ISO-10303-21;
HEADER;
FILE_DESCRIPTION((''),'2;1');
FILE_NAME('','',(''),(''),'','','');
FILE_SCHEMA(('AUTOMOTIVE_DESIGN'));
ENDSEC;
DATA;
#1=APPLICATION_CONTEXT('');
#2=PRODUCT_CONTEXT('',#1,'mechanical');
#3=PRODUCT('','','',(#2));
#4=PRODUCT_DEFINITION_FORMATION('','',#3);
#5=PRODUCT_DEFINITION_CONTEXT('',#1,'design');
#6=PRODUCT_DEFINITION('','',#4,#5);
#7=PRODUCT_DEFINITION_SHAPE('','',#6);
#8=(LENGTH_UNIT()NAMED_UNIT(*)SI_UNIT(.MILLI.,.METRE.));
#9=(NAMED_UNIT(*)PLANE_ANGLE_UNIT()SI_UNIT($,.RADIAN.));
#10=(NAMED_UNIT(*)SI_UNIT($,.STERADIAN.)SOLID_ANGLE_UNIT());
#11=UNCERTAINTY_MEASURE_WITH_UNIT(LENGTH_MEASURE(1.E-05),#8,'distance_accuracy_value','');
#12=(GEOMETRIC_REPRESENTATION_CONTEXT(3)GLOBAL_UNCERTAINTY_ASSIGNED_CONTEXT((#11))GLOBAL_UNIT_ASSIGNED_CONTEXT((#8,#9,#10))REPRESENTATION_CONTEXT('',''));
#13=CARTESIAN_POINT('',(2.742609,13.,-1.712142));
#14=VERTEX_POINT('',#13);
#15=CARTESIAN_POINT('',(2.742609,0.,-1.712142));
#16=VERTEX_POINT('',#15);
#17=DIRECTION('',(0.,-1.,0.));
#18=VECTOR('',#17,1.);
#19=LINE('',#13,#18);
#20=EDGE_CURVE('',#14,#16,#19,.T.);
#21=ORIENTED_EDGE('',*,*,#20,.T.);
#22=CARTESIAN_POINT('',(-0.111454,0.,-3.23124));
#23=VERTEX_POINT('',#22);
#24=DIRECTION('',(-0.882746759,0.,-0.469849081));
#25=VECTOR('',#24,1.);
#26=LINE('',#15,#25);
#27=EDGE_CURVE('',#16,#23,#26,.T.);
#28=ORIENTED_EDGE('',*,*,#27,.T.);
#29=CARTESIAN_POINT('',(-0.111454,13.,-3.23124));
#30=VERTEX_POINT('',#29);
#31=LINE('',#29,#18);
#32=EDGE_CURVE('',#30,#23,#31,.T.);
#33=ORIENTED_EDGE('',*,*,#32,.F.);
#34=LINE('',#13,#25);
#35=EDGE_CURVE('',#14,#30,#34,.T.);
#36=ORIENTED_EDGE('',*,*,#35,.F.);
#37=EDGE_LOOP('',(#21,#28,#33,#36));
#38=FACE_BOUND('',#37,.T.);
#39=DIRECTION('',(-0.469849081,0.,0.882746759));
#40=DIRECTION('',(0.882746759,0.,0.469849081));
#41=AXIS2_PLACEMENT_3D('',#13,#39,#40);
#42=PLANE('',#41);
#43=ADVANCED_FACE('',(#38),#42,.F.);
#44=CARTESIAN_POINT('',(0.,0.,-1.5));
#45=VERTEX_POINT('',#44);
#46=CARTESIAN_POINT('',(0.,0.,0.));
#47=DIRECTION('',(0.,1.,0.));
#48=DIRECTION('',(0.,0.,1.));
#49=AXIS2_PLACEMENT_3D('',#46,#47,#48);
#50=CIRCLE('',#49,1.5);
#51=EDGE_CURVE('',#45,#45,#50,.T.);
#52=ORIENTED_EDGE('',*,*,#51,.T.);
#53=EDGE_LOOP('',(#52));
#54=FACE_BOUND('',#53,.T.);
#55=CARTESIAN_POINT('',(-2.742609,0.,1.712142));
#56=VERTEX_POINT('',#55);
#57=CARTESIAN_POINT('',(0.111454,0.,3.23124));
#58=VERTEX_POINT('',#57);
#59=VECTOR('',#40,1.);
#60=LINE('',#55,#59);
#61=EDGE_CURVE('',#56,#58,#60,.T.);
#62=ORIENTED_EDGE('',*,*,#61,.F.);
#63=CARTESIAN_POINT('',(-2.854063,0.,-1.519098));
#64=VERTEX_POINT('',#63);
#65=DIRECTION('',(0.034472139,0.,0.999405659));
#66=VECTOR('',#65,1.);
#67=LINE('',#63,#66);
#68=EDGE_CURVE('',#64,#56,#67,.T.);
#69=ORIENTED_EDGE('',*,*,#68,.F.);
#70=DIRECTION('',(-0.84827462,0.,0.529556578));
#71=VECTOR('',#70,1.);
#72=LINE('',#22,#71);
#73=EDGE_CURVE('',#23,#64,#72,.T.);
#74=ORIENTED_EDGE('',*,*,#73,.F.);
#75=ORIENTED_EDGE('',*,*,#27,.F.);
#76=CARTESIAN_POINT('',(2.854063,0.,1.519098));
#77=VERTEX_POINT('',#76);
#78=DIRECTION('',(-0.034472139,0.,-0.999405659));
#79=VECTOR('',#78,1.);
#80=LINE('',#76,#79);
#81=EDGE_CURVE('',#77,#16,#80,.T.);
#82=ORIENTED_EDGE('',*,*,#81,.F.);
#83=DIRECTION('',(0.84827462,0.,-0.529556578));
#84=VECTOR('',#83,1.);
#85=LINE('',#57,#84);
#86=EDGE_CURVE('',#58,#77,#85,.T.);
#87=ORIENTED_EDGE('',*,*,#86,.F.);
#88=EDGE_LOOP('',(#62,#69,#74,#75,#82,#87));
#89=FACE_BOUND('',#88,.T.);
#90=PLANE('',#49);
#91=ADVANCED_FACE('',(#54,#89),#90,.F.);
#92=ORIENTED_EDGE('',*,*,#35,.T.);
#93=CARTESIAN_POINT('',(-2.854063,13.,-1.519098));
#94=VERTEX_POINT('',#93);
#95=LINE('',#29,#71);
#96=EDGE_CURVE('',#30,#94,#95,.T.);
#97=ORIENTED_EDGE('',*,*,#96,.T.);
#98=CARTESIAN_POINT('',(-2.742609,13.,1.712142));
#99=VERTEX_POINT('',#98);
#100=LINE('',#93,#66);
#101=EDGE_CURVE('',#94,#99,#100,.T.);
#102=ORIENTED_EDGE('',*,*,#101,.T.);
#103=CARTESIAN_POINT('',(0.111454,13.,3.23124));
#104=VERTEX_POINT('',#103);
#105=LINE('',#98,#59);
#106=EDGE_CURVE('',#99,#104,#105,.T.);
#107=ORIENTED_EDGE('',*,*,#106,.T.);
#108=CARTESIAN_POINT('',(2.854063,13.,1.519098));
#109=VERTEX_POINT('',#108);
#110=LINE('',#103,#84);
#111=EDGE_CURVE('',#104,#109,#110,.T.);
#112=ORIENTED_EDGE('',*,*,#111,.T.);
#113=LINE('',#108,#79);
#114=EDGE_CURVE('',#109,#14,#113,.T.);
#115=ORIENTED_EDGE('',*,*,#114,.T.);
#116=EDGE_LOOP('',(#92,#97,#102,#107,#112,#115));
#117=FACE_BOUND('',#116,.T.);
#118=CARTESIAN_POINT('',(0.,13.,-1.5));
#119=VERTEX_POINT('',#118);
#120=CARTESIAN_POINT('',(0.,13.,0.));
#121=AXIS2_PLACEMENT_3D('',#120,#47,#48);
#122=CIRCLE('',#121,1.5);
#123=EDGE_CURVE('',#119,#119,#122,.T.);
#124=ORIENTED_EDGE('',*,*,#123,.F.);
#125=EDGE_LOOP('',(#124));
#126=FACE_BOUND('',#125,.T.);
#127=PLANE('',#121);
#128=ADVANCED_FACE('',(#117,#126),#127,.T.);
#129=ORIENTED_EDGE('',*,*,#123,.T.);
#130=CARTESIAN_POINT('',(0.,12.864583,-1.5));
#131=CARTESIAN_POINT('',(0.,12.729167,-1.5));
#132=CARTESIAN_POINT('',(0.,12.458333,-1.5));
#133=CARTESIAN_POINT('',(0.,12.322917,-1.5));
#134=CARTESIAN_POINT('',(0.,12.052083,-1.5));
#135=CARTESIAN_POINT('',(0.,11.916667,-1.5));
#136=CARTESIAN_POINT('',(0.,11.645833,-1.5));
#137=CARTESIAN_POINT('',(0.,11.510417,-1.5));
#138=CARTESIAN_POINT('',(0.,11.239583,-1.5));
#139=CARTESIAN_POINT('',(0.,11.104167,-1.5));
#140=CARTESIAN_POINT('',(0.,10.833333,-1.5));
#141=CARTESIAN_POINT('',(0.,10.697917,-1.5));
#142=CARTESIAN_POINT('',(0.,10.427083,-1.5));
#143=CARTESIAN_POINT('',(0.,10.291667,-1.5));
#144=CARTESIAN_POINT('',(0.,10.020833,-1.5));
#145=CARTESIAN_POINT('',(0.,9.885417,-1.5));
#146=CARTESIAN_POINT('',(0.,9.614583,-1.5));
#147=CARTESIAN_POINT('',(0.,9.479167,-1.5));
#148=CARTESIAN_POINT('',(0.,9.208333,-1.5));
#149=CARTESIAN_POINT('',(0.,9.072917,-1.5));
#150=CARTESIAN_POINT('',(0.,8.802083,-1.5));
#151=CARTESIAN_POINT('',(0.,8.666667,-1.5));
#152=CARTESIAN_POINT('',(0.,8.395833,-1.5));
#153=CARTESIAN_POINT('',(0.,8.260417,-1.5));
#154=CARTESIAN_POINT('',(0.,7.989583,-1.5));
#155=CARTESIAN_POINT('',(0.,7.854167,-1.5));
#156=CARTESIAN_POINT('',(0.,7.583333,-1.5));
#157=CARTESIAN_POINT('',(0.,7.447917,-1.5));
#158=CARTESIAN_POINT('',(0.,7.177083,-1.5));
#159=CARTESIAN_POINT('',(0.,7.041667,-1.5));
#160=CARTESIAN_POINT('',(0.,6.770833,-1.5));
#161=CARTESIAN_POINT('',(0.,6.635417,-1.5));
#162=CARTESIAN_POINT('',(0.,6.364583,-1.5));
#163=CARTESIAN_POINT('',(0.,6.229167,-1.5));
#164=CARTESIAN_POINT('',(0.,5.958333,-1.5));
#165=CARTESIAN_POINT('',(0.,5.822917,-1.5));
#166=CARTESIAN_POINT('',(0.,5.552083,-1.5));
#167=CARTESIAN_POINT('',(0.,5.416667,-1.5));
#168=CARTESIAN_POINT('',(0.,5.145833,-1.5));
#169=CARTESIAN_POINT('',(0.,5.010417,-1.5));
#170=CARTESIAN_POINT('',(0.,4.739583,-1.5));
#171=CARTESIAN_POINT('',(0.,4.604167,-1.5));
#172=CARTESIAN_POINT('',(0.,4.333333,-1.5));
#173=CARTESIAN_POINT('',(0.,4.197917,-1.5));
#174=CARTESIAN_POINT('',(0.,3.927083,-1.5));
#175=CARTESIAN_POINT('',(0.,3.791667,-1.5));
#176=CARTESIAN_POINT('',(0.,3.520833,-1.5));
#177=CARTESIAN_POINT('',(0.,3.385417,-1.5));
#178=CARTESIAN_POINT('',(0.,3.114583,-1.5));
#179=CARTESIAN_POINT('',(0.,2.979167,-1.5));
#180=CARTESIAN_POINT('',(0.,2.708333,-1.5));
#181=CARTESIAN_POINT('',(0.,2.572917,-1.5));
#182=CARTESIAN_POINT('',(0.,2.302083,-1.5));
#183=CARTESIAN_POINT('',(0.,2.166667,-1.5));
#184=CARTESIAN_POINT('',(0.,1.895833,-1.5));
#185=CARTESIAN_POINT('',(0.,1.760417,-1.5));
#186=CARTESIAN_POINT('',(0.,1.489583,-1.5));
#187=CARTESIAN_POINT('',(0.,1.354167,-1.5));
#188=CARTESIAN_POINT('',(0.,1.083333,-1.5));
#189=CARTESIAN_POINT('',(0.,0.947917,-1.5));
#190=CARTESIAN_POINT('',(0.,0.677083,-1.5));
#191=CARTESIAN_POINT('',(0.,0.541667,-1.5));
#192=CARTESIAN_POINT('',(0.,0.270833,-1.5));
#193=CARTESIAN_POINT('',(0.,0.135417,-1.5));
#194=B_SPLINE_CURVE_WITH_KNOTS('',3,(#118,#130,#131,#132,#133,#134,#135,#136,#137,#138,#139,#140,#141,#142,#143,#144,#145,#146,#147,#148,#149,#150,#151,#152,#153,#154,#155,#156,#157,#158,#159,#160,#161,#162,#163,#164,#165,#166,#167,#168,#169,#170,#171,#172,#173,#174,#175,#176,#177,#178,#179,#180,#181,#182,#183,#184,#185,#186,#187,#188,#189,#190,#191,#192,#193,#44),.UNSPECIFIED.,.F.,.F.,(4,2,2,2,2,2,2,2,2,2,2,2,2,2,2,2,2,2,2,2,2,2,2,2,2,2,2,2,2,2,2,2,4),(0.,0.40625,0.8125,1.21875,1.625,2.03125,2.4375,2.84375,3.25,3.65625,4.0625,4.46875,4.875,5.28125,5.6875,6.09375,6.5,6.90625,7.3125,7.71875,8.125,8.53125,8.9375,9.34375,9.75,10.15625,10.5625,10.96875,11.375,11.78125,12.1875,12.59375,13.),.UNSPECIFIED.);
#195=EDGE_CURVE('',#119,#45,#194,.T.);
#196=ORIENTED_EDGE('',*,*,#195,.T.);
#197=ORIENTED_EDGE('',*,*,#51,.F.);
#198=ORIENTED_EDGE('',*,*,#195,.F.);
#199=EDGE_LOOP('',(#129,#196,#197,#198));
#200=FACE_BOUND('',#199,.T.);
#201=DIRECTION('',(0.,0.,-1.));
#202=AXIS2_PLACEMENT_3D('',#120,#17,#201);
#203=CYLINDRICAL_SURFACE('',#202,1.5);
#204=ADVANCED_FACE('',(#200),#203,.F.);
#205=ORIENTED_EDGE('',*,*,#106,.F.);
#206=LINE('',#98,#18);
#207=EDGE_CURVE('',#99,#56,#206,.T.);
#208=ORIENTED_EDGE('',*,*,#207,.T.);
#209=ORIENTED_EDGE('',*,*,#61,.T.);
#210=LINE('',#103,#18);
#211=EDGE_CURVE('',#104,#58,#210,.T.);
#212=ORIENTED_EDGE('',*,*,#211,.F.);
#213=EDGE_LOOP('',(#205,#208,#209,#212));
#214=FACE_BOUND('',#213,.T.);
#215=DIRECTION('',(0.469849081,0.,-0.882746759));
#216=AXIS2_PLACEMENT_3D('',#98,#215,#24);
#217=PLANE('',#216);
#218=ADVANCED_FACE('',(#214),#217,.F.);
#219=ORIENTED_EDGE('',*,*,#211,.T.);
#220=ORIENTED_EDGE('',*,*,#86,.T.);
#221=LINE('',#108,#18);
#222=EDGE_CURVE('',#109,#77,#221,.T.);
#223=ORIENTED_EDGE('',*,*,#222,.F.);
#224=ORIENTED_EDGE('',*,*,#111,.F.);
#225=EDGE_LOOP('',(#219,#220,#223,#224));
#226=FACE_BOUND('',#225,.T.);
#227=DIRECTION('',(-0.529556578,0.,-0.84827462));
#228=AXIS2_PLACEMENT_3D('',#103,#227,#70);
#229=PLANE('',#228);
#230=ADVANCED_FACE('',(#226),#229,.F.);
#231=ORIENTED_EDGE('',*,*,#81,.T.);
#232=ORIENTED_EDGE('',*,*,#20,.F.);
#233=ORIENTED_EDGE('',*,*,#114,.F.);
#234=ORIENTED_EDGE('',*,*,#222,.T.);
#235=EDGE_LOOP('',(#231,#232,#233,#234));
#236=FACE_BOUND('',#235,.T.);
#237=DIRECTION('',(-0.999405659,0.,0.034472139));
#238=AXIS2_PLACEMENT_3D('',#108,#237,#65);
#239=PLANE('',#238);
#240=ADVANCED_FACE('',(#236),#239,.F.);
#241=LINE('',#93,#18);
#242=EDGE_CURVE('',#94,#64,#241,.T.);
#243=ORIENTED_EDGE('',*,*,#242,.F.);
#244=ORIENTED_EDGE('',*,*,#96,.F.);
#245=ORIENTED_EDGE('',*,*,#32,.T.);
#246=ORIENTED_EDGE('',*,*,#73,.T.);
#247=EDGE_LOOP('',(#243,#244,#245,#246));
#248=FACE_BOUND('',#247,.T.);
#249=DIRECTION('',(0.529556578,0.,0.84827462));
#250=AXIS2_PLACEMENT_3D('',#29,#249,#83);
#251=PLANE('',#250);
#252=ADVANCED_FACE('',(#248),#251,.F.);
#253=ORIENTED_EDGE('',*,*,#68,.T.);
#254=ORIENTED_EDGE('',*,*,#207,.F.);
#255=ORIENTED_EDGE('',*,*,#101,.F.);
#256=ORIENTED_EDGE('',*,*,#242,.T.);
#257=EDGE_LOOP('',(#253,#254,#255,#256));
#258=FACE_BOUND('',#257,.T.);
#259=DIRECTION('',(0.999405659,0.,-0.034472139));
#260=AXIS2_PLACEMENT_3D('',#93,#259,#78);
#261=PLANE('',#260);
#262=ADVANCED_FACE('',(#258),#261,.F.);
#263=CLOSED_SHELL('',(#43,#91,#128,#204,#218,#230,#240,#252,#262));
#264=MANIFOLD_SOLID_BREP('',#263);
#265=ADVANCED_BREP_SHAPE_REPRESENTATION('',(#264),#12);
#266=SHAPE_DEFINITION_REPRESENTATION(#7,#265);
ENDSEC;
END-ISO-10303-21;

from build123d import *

# Parameters (mm, degrees)
SKETCH_1_R      = 1.5
EXTRUDE_1_DEPTH = 13


with BuildPart() as part:
    # 草图1 → 凸台-拉伸1 (new body)
    with BuildSketch(Plane(origin=(0, 0, 0), x_dir=(1, 0, 0), z_dir=(0, 1, 0))):
        Polygon((2.854062842, -1.519097964), (2.742608849, 1.712141943), (-0.111453993, 3.231239908), (-2.854062842, 1.519097964), (-2.742608849, -1.712141943), (0.111453993, -3.231239908), align=None)
        with Locations(Location((0, 0, 0), (0, 0, 90))):
            Circle(SKETCH_1_R, mode=Mode.SUBTRACT)
    extrude(amount=EXTRUDE_1_DEPTH)


solid = part.part
